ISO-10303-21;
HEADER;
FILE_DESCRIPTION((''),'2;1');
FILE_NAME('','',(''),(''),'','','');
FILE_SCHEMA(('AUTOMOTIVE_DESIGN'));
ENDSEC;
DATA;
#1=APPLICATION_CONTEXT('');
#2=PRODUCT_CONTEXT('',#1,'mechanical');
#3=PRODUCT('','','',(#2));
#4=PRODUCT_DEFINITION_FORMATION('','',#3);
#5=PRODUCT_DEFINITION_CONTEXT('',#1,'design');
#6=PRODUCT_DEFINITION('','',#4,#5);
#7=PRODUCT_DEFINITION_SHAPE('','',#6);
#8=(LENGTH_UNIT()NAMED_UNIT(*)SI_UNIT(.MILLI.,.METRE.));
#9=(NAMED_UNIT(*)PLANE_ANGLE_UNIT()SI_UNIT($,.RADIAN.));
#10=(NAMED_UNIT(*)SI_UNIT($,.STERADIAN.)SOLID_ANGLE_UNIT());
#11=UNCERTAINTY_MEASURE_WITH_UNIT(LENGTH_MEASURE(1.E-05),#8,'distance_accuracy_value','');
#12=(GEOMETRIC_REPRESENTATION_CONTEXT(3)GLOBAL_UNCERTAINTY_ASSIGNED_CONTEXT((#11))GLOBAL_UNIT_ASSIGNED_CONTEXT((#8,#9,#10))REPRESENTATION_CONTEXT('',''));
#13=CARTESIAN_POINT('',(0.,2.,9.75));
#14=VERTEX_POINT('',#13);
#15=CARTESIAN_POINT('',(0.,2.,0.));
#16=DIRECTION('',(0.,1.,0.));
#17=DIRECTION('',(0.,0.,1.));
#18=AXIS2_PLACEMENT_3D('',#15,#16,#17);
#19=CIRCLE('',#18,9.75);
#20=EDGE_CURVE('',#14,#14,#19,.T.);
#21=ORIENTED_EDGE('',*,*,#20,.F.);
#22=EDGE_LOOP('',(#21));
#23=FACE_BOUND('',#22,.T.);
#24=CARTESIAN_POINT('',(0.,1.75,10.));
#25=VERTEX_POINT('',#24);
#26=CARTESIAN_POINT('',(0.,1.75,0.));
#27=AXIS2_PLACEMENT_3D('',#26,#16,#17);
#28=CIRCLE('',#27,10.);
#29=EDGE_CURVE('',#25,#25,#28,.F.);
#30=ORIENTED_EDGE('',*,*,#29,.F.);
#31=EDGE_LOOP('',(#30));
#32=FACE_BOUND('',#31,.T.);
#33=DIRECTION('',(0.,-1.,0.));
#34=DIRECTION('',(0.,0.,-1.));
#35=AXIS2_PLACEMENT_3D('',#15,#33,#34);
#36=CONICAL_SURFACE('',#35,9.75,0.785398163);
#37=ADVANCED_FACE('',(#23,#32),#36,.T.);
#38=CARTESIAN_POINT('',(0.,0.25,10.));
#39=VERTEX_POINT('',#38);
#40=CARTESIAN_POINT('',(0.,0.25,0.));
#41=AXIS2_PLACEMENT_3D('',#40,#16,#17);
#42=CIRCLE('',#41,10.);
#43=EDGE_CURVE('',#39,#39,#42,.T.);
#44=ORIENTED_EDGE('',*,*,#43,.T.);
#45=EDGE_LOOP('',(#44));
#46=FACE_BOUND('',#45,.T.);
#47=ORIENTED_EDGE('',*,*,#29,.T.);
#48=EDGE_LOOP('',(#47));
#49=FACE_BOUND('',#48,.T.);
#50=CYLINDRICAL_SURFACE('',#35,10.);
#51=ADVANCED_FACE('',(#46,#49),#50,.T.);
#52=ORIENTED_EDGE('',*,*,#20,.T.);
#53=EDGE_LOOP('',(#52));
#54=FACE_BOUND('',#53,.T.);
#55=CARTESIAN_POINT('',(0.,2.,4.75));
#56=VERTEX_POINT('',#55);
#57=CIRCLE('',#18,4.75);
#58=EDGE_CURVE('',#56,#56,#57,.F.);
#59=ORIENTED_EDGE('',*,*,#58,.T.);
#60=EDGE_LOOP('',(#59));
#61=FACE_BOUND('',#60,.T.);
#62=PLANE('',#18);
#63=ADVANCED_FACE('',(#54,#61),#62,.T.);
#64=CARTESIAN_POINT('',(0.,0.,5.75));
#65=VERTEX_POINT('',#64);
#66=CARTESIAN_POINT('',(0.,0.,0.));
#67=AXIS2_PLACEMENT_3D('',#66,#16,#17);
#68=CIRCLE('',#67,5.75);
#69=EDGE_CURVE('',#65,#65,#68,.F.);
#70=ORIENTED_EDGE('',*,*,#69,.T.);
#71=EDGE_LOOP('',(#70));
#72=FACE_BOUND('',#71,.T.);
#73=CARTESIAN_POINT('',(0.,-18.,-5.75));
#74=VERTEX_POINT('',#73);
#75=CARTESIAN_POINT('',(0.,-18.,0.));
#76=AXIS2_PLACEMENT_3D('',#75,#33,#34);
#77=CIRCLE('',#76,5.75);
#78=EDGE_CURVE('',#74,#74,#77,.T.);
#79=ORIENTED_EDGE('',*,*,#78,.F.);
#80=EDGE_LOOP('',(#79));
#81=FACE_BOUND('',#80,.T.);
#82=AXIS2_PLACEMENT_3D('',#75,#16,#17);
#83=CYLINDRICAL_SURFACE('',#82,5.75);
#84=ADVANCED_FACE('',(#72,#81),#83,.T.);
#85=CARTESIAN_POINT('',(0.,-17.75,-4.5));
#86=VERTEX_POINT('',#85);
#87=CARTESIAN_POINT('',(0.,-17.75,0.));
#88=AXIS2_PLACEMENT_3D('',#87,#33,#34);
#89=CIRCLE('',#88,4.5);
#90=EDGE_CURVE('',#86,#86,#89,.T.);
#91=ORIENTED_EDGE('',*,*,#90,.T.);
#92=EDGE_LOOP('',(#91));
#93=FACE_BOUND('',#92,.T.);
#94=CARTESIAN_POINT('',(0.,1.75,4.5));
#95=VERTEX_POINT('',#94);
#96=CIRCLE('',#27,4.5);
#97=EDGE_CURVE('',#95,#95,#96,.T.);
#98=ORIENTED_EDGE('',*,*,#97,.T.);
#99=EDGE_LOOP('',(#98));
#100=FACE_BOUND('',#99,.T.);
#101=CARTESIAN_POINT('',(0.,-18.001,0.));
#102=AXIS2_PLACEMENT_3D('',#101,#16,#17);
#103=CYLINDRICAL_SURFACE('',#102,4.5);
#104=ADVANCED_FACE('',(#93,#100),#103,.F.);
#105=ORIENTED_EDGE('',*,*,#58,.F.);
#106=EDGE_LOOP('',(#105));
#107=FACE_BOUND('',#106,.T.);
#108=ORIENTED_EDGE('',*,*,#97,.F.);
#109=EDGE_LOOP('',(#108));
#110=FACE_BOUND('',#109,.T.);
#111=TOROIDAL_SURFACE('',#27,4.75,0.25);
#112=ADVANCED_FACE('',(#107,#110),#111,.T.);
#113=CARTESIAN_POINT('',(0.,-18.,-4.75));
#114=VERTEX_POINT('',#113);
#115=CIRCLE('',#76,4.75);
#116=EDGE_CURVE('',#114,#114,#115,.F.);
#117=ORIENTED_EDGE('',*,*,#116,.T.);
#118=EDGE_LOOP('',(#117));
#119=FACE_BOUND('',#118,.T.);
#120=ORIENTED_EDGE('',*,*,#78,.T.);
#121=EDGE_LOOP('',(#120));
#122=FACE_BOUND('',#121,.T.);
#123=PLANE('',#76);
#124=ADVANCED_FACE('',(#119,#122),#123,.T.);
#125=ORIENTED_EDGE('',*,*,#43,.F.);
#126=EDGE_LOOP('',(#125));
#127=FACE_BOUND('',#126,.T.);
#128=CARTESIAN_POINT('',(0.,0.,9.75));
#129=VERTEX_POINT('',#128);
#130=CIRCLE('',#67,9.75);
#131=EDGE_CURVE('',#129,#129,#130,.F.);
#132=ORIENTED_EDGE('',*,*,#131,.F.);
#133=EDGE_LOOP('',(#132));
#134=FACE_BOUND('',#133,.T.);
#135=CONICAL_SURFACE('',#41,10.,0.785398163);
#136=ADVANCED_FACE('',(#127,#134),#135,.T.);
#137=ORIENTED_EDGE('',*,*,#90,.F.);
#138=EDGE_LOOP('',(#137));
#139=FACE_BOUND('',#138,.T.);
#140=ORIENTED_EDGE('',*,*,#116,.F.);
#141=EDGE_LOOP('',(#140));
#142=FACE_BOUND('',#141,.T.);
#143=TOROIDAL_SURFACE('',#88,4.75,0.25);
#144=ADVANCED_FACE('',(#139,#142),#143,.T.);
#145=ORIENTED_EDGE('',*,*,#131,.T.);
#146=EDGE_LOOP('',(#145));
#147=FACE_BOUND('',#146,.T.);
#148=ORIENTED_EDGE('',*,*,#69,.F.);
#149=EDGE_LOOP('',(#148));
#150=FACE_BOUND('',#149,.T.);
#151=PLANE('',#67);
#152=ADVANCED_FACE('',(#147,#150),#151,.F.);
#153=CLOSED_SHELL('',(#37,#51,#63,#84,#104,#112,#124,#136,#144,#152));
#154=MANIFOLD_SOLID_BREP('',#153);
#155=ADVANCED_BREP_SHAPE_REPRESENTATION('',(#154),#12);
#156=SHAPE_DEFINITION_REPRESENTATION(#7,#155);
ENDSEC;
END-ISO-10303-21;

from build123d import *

# Parameters (mm, degrees)
SKETCH_1_R          = 10
EXTRUDE_1_DEPTH     = 2
SKETCH_2_R          = 5.75
EXTRUDE_2_DEPTH     = 18
CUT_EXTRUDE_1_REACH = 22
SKETCH_3_R          = 4.5
CHAMFER_1_SIZE      = 0.25
FILLET_1_R          = 0.25


with BuildPart() as part:
    # ｽｹｯﾁ1 → ﾎﾞｽ - 押し出し1 (new body)
    with BuildSketch(Plane(origin=(0, 0, 0), x_dir=(1, 0, 0), z_dir=(0, 1, 0))):
        Circle(SKETCH_1_R)
    extrude(amount=EXTRUDE_1_DEPTH)

    # ｽｹｯﾁ2 → ﾎﾞｽ - 押し出し2 (add)
    with BuildSketch(Plane.XZ):
        Circle(SKETCH_2_R)
    extrude(amount=EXTRUDE_2_DEPTH)

    # ｽｹｯﾁ3 → ｶｯﾄ - 押し出し1 (cut, up to next)
    with BuildSketch(Plane(origin=(0, 2, 0), x_dir=(1, 0, 0), z_dir=(0, 1, 0)), mode=Mode.PRIVATE) as cut_extrude_1_sk1:
        Circle(SKETCH_3_R)
    cut_extrude_1_tool1 = extrude(cut_extrude_1_sk1.sketch, amount=-CUT_EXTRUDE_1_REACH, mode=Mode.PRIVATE) & part.part
    add(cut_extrude_1_tool1.solids().sort_by_distance((0, 2, 0))[0], mode=Mode.SUBTRACT)

    # 面取り1
    chamfer_1_edges = [part.edges().sort_by_distance(p)[0] for p in [
        (-10, 0, 0),
        (-10, 2, 0),
    ]]
    chamfer(chamfer_1_edges, length=CHAMFER_1_SIZE)

    # ﾌｨﾚｯﾄ1
    fillet_1_edges = [part.edges().sort_by_distance(p)[0] for p in [
        (-4.5, -18, 0),
        (-4.5, 2, 0),
    ]]
    fillet(fillet_1_edges, radius=FILLET_1_R)


solid = part.part
